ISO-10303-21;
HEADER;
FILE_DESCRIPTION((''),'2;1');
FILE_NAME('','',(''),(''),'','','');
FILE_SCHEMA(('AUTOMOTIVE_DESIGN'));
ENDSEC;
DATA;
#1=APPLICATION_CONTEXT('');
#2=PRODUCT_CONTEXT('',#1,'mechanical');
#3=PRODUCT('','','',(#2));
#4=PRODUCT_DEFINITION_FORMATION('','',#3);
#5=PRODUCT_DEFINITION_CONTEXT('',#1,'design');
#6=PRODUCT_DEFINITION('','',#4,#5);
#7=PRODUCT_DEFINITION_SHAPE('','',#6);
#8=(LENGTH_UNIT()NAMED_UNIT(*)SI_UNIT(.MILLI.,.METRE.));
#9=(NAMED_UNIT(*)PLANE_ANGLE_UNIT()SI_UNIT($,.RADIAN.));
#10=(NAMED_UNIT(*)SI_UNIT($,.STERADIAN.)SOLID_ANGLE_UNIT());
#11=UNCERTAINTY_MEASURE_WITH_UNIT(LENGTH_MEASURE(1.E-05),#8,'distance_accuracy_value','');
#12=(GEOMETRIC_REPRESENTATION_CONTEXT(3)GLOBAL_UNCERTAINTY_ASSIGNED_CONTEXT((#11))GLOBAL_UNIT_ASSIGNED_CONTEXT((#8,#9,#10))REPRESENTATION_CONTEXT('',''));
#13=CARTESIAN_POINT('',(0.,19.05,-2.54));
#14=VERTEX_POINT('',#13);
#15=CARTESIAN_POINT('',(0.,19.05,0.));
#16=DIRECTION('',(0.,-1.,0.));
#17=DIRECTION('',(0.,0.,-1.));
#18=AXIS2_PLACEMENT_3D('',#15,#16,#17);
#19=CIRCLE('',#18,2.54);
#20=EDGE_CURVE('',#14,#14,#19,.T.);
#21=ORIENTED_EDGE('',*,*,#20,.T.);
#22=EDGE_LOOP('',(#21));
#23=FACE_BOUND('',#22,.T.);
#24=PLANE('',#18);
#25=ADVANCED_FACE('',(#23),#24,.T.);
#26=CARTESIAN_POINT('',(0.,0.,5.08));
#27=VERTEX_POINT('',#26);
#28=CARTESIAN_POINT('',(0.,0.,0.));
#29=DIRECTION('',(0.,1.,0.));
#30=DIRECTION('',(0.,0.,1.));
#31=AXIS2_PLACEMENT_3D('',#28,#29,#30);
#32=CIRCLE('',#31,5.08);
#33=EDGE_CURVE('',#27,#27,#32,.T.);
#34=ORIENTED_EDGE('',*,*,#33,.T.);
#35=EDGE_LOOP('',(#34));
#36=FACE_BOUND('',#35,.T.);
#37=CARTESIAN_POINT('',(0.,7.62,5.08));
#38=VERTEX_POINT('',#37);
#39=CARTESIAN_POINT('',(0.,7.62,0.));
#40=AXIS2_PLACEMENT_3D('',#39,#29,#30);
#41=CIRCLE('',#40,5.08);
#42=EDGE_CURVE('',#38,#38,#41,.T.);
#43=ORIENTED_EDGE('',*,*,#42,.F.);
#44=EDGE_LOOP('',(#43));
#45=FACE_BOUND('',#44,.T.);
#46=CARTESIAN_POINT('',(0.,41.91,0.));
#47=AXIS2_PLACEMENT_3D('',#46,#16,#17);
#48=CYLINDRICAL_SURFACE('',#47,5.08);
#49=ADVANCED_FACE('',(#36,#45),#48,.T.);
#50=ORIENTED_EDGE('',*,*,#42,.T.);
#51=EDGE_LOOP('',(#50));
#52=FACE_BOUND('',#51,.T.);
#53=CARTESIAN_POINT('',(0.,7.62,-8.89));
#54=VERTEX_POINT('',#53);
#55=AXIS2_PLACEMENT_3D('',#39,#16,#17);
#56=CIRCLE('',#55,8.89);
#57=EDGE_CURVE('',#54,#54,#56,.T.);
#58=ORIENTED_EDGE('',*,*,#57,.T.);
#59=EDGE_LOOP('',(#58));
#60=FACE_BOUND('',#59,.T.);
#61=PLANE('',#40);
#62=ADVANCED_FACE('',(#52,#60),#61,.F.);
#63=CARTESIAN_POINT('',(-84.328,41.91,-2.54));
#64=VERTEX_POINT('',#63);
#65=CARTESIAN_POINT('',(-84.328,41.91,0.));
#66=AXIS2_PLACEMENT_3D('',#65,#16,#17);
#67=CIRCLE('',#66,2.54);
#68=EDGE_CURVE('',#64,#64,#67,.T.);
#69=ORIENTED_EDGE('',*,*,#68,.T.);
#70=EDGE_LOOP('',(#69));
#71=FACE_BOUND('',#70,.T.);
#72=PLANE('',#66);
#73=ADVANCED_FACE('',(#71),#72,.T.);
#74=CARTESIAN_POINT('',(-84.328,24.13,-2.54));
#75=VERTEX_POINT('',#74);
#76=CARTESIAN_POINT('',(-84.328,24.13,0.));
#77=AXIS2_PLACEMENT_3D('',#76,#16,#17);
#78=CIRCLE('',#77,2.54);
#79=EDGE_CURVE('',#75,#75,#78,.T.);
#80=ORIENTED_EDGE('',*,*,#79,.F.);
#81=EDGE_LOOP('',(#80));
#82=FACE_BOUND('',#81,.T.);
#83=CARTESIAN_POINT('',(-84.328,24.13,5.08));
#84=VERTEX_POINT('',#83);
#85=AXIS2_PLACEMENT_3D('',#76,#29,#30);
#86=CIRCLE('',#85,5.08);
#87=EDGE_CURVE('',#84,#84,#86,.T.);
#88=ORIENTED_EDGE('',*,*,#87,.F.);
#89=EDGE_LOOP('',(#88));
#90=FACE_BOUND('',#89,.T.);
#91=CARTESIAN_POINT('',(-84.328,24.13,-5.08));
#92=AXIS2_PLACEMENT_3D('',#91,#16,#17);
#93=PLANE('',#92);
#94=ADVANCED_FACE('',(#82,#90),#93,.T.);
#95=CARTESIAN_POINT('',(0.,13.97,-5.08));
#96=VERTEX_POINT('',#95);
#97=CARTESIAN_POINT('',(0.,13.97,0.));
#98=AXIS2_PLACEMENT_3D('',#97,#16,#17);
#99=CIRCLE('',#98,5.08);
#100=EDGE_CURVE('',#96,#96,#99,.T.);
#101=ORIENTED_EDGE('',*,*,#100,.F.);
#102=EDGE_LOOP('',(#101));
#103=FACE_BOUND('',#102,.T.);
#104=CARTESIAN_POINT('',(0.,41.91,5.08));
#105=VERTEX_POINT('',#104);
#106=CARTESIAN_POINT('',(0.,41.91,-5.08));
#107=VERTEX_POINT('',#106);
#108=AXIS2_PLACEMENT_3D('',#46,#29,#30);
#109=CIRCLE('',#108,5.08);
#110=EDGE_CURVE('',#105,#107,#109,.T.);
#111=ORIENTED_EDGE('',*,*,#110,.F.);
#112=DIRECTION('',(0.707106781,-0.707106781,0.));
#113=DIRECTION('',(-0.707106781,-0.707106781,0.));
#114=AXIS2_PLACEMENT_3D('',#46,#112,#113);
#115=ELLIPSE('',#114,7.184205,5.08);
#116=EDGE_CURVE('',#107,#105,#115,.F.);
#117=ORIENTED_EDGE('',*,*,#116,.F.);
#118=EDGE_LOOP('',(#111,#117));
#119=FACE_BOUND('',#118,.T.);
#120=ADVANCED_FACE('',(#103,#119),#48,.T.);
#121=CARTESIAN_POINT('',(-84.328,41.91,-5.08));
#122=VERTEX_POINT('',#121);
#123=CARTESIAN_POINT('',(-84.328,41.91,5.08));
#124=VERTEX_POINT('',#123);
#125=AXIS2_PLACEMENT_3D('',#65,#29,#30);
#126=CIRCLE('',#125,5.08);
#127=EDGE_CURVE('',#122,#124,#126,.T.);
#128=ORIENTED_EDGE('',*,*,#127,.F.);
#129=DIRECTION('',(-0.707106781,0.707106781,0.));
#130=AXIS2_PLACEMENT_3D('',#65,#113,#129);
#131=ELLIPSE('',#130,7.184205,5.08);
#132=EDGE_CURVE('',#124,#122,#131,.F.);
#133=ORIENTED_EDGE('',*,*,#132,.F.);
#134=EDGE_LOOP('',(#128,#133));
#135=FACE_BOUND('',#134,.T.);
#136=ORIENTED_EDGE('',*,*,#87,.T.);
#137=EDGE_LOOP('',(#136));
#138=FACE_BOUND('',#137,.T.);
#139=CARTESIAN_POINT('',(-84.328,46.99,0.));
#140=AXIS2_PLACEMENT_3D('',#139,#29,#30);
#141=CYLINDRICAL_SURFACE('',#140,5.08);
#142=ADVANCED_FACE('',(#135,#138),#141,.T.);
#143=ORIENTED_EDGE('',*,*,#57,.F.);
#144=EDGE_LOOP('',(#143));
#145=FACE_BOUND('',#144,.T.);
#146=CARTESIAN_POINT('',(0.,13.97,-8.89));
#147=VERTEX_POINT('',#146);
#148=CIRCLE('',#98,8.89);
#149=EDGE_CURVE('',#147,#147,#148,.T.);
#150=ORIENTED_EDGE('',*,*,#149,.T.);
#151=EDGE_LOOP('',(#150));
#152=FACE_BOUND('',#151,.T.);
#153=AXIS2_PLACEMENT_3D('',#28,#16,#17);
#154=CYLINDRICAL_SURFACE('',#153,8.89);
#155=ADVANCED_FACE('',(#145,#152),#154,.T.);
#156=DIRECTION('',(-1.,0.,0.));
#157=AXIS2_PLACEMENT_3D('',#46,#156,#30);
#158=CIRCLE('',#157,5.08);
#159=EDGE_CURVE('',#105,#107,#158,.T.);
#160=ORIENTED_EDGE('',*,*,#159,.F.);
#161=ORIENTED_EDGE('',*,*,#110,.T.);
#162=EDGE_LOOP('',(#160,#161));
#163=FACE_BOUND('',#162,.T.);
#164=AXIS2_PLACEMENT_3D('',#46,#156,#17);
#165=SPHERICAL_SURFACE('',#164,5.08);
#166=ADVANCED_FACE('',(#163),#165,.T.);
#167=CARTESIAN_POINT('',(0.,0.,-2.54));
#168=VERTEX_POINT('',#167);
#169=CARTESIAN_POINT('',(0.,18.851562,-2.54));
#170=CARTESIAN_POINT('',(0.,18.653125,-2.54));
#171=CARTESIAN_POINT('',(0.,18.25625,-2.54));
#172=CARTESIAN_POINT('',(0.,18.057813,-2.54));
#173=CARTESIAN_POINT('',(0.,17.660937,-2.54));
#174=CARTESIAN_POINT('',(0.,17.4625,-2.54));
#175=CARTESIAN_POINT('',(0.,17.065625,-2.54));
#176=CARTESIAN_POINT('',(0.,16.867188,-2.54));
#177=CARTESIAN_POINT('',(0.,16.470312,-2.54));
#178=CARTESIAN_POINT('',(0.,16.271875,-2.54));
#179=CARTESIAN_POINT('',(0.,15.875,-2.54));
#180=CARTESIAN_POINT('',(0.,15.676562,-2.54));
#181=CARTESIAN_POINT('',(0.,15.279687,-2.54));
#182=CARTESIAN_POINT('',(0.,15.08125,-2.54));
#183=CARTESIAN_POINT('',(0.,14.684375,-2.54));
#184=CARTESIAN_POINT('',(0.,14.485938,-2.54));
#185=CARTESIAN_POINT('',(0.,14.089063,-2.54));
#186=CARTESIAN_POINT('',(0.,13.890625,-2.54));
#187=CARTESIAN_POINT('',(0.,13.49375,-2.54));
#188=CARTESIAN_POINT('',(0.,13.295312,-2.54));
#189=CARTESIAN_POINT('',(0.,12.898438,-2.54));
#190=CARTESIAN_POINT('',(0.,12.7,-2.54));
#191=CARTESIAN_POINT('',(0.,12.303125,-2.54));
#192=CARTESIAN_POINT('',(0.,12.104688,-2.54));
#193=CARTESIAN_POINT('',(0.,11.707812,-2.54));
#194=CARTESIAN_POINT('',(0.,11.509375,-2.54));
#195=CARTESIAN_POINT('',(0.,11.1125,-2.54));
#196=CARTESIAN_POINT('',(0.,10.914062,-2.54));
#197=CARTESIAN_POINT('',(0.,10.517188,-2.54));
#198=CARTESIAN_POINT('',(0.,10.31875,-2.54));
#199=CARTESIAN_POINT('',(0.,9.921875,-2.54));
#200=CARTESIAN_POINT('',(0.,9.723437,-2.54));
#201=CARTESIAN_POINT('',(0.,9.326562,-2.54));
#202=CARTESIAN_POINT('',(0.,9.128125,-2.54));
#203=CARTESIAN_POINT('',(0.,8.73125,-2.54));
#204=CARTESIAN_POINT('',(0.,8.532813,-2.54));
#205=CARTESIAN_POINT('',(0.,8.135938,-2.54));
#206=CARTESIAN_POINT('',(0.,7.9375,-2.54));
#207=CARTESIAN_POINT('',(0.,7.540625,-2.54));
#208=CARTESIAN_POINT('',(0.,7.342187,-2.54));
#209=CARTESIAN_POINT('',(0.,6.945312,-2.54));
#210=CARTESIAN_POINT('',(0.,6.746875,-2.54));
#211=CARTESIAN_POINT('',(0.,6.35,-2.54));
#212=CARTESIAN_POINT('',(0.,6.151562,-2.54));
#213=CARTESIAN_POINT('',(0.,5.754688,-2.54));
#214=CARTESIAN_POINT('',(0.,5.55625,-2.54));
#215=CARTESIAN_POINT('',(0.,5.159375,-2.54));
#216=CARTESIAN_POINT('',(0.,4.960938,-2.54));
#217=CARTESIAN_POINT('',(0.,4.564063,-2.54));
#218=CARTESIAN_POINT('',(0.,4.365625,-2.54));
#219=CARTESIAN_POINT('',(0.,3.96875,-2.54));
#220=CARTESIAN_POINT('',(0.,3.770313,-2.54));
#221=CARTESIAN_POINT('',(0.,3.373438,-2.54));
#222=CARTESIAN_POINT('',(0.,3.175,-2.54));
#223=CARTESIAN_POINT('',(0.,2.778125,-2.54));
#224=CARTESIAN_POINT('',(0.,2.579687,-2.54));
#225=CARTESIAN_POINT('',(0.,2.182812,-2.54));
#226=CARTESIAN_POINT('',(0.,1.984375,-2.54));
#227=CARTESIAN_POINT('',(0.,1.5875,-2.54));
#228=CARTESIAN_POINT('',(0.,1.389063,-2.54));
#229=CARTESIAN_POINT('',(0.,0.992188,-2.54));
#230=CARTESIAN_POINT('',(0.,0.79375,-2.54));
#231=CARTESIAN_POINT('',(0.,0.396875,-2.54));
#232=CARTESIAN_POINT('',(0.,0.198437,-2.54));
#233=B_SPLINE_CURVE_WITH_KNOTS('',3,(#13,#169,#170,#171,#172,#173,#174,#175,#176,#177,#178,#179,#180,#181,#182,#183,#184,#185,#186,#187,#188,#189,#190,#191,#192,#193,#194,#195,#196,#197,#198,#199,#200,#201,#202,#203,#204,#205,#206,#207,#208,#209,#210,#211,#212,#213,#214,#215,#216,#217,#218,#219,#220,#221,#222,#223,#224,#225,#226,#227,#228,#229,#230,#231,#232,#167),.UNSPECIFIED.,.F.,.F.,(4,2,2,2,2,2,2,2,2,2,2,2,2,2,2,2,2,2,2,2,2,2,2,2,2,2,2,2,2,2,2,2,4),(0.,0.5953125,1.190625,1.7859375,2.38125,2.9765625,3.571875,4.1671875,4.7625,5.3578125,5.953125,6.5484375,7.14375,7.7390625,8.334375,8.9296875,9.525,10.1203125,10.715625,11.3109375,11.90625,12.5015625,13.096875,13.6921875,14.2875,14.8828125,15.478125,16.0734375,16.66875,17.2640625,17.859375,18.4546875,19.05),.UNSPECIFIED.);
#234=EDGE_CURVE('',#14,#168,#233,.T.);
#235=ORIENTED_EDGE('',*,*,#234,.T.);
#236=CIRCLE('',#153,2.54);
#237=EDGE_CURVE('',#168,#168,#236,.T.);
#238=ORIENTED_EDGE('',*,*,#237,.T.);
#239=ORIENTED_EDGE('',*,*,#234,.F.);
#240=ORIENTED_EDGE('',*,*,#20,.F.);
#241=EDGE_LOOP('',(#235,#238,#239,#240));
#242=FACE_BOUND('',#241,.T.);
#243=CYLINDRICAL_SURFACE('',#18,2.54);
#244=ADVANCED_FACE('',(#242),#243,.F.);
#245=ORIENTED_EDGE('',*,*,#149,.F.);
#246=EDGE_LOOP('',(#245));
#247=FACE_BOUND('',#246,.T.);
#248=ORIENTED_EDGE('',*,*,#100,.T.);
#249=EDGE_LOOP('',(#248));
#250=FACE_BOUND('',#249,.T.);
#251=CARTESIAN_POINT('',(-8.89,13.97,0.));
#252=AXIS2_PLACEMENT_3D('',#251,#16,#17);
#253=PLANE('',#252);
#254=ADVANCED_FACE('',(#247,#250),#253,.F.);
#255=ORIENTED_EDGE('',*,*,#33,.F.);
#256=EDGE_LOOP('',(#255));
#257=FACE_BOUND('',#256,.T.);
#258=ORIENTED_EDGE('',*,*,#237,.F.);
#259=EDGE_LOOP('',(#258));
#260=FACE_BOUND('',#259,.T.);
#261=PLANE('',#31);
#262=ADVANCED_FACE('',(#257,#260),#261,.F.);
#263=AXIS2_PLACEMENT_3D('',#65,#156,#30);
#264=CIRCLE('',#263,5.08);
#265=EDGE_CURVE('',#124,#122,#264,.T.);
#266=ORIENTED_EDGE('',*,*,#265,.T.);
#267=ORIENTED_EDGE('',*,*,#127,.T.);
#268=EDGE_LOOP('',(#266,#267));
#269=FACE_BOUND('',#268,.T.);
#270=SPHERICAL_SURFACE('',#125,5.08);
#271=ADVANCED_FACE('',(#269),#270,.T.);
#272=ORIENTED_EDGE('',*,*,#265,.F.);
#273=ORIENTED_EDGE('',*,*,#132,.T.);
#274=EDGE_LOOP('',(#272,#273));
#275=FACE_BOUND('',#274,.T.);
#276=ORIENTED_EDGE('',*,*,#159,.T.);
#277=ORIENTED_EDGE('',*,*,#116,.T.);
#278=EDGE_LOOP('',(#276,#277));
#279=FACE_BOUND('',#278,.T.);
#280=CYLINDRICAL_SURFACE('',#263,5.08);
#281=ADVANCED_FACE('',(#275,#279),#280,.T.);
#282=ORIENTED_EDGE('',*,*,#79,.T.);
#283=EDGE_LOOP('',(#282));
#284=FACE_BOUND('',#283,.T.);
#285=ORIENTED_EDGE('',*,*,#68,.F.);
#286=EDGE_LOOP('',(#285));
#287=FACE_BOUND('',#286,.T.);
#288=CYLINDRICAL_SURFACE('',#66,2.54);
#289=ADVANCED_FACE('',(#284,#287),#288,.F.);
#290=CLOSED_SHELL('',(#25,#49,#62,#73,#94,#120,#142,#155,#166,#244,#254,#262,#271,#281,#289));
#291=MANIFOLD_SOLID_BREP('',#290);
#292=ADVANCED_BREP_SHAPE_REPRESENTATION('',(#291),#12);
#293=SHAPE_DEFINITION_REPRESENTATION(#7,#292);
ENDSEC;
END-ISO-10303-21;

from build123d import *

# Parameters (mm, degrees)
SKETCH2_R           = 5.08
BOSS_EXTRUDE2_DEPTH = 41.91
SKETCH3_W           = 8.89
SKETCH3_H           = 6.35
SKETCH6_R           = 2.54
CUT_EXTRUDE1_DEPTH  = 17.78
SKETCH7_R           = 2.54
CUT_EXTRUDE2_DEPTH  = 19.05


with BuildPart() as part:
    # Sketch2 → Boss-Extrude2 (new body)
    with BuildSketch(Plane(origin=(0, 0, 0), x_dir=(-1, 0, 0), z_dir=(0, 1, 0))):
        with Locations(Location((0, 0, 0), (0, 0, 90))):
            Circle(SKETCH2_R)
    extrude(amount=BOSS_EXTRUDE2_DEPTH)

    # Sketch3 → Revolve1 (revolve)
    with BuildSketch(Plane.XY, mode=Mode.PRIVATE) as revolve1_sk:
        with Locations((-4.445, 10.795)):
            Rectangle(SKETCH3_W, SKETCH3_H)
    revolve(revolve1_sk.sketch.rotate(Axis((0, 0, 0), (0, 1, 0)), 270), axis=Axis((0, 0, 0), (0, 1, 0)))

    # Sketch4 → Revolve2 (revolve)
    with BuildSketch(Plane(origin=(0, 41.91, 0), x_dir=(1, 0, 0), z_dir=(0, 1, 0)), mode=Mode.PRIVATE) as revolve2_sk:
        with BuildLine():
            Line((0, 5.08), (-84.328, 5.08))
            Line((-84.328, 5.08), (-84.328, 0))
            Line((-84.328, 0), (5.08, 0))
            ThreePointArc((5.08, 0), (3.592102448, 3.592102448), (0, 5.08))
        make_face()
    revolve(revolve2_sk.sketch.rotate(Axis((-84.328, 41.91, 0), (1, 0, 0)), 180), axis=Axis((-84.328, 41.91, 0), (1, 0, 0)))

    # Sketch5 → Revolve3 (revolve)
    with BuildSketch(Plane.ZY.offset(84.328), mode=Mode.PRIVATE) as revolve3_sk:
        with BuildLine():
            Line((0, 46.99), (0, 24.13))
            Line((0, 24.13), (-5.08, 24.13))
            Line((-5.08, 24.13), (-5.08, 41.91))
            ThreePointArc((-5.08, 41.91), (-3.592102448, 45.502102448), (0, 46.99))
        make_face()
    revolve(revolve3_sk.sketch.rotate(Axis((-84.328, 46.99, 0), (0, -1, 0)), 180), axis=Axis((-84.328, 46.99, 0), (0, -1, 0)))

    # Sketch6 → Cut-Extrude1 (cut)
    with BuildSketch(Plane.XZ.offset(-24.13)):
        with Locations(Location((-84.328, 0, 0), (0, 0, 270))):
            Circle(SKETCH6_R)
    extrude(amount=-CUT_EXTRUDE1_DEPTH, mode=Mode.SUBTRACT)

    # Sketch7 → Cut-Extrude2 (cut)
    with BuildSketch(Plane.XZ):
        with Locations(Location((0, 0, 0), (0, 0, 270))):
            Circle(SKETCH7_R)
    extrude(amount=-CUT_EXTRUDE2_DEPTH, mode=Mode.SUBTRACT)


solid = part.part
